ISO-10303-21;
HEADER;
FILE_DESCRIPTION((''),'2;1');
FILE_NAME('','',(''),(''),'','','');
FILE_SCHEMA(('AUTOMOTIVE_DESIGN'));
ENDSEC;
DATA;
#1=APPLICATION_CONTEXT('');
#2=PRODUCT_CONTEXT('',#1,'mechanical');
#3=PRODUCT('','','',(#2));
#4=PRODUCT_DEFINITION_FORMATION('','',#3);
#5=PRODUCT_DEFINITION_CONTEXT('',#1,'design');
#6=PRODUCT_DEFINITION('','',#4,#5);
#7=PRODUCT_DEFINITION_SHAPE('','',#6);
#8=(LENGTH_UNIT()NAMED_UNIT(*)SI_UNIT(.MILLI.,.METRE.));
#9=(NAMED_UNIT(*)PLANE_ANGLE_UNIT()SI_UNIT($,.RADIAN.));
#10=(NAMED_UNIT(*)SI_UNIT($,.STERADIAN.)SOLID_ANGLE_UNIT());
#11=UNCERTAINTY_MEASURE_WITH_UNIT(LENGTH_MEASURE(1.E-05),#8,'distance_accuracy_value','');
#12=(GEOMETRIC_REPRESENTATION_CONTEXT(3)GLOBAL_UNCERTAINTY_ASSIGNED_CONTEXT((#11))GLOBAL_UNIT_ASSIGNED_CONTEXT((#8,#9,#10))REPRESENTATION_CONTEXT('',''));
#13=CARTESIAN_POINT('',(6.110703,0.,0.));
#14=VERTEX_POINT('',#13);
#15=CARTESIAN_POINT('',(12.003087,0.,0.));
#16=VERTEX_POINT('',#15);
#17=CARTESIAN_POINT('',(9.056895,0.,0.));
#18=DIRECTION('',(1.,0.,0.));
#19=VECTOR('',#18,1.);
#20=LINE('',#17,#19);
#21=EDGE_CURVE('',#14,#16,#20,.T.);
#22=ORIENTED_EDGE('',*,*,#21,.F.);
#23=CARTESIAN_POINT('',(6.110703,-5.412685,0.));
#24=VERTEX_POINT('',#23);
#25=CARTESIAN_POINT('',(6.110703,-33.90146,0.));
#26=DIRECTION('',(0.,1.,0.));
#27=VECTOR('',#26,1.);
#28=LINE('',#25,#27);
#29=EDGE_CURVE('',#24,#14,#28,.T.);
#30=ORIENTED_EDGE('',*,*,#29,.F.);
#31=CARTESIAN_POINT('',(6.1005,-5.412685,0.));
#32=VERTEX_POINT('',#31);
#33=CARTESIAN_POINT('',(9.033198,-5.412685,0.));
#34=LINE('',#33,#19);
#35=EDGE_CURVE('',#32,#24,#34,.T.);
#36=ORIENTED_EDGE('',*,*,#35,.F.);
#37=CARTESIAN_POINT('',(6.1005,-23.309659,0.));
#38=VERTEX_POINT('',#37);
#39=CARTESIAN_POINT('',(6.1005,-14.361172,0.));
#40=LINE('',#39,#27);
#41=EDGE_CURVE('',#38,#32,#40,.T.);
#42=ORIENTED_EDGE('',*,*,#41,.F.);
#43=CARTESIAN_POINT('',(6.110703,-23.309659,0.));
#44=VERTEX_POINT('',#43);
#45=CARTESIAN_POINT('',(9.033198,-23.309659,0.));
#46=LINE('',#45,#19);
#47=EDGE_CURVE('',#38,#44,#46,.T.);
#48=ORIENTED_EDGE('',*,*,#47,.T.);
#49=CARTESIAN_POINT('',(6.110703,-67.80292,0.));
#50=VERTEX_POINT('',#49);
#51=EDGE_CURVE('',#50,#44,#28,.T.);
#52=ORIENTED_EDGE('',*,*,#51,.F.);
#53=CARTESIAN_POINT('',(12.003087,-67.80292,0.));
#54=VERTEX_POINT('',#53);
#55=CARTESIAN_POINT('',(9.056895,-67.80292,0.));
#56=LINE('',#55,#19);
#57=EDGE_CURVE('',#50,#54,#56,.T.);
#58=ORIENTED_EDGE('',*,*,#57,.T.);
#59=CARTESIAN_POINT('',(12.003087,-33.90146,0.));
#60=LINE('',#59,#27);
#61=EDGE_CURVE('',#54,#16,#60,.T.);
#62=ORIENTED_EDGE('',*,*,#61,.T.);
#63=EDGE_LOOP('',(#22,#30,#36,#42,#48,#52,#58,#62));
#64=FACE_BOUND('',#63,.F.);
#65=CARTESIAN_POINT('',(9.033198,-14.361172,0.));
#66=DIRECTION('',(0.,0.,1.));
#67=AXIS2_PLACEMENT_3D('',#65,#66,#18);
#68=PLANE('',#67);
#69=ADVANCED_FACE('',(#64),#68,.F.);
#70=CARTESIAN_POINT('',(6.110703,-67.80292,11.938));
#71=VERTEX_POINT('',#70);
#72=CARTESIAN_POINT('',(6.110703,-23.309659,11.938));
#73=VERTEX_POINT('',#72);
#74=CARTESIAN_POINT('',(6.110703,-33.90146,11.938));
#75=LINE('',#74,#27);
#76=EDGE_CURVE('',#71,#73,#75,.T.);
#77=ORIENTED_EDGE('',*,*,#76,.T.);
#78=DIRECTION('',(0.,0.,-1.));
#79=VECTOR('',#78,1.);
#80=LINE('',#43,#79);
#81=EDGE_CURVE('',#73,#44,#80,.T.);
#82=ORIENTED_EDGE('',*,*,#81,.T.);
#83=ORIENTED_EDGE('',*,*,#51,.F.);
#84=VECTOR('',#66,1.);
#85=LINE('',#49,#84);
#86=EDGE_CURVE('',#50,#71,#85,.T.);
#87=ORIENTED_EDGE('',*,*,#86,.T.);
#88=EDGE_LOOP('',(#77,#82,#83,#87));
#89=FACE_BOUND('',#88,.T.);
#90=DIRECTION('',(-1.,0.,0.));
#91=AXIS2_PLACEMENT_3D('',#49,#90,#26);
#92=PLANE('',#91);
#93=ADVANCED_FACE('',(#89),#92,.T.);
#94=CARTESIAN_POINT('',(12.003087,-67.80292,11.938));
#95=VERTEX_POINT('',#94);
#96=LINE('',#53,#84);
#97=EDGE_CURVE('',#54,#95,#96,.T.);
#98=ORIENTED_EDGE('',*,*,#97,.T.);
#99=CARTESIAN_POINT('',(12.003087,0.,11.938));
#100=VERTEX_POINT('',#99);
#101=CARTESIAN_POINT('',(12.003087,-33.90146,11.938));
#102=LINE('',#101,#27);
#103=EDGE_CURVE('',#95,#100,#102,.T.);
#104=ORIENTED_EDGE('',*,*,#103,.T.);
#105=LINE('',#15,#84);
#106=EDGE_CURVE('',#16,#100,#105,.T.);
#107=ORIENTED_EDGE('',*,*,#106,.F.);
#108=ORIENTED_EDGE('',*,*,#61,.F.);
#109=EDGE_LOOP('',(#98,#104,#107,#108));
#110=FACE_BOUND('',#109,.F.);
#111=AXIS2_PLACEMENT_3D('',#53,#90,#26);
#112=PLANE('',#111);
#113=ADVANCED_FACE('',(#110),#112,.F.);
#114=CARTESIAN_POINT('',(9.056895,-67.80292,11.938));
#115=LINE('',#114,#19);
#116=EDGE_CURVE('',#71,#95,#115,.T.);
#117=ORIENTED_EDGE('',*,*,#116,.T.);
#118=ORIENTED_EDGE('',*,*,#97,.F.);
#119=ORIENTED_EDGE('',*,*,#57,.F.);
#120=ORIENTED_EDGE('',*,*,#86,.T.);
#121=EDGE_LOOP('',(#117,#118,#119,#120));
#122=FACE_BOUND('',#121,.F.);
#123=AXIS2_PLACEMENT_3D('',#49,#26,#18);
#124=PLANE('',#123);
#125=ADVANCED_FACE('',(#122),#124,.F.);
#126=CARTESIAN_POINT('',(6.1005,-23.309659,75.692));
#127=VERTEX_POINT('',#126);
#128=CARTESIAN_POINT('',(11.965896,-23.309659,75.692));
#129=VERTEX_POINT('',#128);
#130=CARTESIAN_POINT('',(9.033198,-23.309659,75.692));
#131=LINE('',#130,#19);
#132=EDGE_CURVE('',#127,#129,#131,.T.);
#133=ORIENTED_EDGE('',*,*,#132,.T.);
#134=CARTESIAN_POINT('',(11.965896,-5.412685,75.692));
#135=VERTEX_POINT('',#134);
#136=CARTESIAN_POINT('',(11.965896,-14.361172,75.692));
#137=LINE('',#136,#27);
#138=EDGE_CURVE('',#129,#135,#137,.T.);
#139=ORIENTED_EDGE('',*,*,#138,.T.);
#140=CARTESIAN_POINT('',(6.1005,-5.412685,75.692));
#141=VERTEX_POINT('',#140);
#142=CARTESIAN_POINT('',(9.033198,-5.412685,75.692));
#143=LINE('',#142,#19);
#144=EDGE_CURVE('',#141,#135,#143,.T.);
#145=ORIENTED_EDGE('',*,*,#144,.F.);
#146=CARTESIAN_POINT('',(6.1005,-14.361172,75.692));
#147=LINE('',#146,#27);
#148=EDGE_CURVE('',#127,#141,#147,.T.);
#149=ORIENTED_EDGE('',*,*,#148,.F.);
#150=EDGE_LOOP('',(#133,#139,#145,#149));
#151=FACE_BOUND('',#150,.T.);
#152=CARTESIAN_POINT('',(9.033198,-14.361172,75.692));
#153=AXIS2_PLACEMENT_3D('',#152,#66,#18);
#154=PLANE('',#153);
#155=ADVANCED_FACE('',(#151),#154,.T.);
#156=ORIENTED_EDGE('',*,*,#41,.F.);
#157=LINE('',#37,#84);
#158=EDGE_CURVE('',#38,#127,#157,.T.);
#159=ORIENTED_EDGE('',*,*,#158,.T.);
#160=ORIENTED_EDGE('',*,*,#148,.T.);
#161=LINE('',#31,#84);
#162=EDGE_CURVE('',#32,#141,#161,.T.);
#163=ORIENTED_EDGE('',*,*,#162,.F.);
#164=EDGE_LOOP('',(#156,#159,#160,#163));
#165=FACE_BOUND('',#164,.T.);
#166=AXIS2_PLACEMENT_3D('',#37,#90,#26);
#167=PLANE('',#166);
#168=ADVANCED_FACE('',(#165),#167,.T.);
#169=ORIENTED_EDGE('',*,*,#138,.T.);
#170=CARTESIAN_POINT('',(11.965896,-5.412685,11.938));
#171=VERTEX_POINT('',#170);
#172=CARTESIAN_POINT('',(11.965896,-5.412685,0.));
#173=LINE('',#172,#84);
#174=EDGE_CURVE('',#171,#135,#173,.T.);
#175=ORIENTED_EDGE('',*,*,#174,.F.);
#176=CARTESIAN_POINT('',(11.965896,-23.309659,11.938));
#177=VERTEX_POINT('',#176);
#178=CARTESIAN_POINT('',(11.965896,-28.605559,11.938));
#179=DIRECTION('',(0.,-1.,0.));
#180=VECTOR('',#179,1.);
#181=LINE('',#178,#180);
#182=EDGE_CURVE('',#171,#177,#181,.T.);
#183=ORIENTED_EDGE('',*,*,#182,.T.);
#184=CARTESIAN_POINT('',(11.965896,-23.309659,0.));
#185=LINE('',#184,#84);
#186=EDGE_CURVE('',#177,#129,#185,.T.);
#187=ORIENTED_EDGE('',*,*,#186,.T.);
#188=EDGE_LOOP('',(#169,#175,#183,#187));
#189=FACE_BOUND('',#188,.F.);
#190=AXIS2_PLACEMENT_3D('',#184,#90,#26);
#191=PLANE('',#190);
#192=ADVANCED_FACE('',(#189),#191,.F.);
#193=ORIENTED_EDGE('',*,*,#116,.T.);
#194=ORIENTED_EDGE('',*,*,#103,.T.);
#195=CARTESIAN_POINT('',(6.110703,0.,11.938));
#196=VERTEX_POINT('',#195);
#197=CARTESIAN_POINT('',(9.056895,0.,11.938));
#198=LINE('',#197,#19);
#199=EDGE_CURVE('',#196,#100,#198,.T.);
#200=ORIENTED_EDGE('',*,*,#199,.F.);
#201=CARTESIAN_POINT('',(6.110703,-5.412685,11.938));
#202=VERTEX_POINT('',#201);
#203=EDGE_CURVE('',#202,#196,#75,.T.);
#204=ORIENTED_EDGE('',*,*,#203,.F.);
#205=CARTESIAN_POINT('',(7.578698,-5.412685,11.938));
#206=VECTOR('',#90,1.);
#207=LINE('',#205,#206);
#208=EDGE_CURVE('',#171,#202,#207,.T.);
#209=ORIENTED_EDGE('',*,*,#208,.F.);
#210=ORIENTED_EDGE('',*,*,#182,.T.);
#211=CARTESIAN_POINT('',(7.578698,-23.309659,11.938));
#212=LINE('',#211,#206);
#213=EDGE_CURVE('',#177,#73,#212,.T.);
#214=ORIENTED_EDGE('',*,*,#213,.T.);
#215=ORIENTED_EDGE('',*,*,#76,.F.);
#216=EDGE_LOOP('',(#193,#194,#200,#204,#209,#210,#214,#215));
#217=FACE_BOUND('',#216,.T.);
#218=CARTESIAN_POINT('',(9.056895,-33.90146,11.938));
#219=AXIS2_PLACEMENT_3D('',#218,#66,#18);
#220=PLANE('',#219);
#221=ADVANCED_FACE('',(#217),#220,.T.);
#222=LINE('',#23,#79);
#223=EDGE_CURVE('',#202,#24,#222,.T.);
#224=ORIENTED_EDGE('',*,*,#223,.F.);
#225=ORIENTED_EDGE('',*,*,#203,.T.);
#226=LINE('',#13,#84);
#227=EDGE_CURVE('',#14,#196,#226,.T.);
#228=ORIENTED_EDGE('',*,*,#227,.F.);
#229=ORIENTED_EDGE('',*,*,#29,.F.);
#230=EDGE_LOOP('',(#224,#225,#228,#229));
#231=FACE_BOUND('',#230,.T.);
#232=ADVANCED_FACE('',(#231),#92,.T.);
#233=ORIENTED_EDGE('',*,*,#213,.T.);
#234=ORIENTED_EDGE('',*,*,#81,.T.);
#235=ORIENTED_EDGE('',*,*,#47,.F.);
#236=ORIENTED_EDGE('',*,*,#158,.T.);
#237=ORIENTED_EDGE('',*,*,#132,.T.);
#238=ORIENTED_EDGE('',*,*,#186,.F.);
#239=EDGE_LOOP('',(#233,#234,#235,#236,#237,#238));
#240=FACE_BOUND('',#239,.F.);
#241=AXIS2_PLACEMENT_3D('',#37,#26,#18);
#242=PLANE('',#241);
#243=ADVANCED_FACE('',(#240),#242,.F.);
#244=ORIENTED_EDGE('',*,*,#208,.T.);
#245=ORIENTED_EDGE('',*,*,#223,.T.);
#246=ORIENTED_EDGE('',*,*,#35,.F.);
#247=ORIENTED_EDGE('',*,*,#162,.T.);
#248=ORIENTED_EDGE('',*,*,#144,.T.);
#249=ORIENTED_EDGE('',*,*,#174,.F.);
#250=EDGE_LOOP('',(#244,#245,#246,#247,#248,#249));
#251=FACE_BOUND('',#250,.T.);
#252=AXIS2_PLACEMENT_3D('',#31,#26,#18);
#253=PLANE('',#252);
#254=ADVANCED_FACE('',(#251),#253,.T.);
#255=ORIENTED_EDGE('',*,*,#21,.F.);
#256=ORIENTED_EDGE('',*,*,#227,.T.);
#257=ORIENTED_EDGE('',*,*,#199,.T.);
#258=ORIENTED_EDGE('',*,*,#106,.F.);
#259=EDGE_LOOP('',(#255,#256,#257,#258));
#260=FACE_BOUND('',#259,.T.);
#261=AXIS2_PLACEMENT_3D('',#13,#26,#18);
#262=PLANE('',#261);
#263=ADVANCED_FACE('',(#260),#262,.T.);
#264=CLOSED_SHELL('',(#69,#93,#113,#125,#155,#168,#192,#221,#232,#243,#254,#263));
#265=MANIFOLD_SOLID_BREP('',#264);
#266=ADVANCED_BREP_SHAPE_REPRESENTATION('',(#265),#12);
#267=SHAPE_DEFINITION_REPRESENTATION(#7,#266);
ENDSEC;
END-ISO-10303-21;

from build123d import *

# Parameters (mm, degrees)
F2_W     = 5.892384
F2_H     = 67.802921
F3_DEPTH = 11.938
F4_W     = 5.865395
F4_H     = 17.896974
F5_DEPTH = 75.692


with BuildPart() as f3:
    # F2 (on Top) → F3 (new body)
    with BuildSketch(Plane.XY):
        with Locations((9.056895, -33.90146)):
            Rectangle(F2_W, F2_H)
    extrude(amount=F3_DEPTH)

    # F4 (on Top) → F5 (join)
    with BuildSketch(Plane.XY):
        with Locations((9.033198, -14.361172)):
            Rectangle(F4_W, F4_H)
    extrude(amount=F5_DEPTH)


solid = f3.part
